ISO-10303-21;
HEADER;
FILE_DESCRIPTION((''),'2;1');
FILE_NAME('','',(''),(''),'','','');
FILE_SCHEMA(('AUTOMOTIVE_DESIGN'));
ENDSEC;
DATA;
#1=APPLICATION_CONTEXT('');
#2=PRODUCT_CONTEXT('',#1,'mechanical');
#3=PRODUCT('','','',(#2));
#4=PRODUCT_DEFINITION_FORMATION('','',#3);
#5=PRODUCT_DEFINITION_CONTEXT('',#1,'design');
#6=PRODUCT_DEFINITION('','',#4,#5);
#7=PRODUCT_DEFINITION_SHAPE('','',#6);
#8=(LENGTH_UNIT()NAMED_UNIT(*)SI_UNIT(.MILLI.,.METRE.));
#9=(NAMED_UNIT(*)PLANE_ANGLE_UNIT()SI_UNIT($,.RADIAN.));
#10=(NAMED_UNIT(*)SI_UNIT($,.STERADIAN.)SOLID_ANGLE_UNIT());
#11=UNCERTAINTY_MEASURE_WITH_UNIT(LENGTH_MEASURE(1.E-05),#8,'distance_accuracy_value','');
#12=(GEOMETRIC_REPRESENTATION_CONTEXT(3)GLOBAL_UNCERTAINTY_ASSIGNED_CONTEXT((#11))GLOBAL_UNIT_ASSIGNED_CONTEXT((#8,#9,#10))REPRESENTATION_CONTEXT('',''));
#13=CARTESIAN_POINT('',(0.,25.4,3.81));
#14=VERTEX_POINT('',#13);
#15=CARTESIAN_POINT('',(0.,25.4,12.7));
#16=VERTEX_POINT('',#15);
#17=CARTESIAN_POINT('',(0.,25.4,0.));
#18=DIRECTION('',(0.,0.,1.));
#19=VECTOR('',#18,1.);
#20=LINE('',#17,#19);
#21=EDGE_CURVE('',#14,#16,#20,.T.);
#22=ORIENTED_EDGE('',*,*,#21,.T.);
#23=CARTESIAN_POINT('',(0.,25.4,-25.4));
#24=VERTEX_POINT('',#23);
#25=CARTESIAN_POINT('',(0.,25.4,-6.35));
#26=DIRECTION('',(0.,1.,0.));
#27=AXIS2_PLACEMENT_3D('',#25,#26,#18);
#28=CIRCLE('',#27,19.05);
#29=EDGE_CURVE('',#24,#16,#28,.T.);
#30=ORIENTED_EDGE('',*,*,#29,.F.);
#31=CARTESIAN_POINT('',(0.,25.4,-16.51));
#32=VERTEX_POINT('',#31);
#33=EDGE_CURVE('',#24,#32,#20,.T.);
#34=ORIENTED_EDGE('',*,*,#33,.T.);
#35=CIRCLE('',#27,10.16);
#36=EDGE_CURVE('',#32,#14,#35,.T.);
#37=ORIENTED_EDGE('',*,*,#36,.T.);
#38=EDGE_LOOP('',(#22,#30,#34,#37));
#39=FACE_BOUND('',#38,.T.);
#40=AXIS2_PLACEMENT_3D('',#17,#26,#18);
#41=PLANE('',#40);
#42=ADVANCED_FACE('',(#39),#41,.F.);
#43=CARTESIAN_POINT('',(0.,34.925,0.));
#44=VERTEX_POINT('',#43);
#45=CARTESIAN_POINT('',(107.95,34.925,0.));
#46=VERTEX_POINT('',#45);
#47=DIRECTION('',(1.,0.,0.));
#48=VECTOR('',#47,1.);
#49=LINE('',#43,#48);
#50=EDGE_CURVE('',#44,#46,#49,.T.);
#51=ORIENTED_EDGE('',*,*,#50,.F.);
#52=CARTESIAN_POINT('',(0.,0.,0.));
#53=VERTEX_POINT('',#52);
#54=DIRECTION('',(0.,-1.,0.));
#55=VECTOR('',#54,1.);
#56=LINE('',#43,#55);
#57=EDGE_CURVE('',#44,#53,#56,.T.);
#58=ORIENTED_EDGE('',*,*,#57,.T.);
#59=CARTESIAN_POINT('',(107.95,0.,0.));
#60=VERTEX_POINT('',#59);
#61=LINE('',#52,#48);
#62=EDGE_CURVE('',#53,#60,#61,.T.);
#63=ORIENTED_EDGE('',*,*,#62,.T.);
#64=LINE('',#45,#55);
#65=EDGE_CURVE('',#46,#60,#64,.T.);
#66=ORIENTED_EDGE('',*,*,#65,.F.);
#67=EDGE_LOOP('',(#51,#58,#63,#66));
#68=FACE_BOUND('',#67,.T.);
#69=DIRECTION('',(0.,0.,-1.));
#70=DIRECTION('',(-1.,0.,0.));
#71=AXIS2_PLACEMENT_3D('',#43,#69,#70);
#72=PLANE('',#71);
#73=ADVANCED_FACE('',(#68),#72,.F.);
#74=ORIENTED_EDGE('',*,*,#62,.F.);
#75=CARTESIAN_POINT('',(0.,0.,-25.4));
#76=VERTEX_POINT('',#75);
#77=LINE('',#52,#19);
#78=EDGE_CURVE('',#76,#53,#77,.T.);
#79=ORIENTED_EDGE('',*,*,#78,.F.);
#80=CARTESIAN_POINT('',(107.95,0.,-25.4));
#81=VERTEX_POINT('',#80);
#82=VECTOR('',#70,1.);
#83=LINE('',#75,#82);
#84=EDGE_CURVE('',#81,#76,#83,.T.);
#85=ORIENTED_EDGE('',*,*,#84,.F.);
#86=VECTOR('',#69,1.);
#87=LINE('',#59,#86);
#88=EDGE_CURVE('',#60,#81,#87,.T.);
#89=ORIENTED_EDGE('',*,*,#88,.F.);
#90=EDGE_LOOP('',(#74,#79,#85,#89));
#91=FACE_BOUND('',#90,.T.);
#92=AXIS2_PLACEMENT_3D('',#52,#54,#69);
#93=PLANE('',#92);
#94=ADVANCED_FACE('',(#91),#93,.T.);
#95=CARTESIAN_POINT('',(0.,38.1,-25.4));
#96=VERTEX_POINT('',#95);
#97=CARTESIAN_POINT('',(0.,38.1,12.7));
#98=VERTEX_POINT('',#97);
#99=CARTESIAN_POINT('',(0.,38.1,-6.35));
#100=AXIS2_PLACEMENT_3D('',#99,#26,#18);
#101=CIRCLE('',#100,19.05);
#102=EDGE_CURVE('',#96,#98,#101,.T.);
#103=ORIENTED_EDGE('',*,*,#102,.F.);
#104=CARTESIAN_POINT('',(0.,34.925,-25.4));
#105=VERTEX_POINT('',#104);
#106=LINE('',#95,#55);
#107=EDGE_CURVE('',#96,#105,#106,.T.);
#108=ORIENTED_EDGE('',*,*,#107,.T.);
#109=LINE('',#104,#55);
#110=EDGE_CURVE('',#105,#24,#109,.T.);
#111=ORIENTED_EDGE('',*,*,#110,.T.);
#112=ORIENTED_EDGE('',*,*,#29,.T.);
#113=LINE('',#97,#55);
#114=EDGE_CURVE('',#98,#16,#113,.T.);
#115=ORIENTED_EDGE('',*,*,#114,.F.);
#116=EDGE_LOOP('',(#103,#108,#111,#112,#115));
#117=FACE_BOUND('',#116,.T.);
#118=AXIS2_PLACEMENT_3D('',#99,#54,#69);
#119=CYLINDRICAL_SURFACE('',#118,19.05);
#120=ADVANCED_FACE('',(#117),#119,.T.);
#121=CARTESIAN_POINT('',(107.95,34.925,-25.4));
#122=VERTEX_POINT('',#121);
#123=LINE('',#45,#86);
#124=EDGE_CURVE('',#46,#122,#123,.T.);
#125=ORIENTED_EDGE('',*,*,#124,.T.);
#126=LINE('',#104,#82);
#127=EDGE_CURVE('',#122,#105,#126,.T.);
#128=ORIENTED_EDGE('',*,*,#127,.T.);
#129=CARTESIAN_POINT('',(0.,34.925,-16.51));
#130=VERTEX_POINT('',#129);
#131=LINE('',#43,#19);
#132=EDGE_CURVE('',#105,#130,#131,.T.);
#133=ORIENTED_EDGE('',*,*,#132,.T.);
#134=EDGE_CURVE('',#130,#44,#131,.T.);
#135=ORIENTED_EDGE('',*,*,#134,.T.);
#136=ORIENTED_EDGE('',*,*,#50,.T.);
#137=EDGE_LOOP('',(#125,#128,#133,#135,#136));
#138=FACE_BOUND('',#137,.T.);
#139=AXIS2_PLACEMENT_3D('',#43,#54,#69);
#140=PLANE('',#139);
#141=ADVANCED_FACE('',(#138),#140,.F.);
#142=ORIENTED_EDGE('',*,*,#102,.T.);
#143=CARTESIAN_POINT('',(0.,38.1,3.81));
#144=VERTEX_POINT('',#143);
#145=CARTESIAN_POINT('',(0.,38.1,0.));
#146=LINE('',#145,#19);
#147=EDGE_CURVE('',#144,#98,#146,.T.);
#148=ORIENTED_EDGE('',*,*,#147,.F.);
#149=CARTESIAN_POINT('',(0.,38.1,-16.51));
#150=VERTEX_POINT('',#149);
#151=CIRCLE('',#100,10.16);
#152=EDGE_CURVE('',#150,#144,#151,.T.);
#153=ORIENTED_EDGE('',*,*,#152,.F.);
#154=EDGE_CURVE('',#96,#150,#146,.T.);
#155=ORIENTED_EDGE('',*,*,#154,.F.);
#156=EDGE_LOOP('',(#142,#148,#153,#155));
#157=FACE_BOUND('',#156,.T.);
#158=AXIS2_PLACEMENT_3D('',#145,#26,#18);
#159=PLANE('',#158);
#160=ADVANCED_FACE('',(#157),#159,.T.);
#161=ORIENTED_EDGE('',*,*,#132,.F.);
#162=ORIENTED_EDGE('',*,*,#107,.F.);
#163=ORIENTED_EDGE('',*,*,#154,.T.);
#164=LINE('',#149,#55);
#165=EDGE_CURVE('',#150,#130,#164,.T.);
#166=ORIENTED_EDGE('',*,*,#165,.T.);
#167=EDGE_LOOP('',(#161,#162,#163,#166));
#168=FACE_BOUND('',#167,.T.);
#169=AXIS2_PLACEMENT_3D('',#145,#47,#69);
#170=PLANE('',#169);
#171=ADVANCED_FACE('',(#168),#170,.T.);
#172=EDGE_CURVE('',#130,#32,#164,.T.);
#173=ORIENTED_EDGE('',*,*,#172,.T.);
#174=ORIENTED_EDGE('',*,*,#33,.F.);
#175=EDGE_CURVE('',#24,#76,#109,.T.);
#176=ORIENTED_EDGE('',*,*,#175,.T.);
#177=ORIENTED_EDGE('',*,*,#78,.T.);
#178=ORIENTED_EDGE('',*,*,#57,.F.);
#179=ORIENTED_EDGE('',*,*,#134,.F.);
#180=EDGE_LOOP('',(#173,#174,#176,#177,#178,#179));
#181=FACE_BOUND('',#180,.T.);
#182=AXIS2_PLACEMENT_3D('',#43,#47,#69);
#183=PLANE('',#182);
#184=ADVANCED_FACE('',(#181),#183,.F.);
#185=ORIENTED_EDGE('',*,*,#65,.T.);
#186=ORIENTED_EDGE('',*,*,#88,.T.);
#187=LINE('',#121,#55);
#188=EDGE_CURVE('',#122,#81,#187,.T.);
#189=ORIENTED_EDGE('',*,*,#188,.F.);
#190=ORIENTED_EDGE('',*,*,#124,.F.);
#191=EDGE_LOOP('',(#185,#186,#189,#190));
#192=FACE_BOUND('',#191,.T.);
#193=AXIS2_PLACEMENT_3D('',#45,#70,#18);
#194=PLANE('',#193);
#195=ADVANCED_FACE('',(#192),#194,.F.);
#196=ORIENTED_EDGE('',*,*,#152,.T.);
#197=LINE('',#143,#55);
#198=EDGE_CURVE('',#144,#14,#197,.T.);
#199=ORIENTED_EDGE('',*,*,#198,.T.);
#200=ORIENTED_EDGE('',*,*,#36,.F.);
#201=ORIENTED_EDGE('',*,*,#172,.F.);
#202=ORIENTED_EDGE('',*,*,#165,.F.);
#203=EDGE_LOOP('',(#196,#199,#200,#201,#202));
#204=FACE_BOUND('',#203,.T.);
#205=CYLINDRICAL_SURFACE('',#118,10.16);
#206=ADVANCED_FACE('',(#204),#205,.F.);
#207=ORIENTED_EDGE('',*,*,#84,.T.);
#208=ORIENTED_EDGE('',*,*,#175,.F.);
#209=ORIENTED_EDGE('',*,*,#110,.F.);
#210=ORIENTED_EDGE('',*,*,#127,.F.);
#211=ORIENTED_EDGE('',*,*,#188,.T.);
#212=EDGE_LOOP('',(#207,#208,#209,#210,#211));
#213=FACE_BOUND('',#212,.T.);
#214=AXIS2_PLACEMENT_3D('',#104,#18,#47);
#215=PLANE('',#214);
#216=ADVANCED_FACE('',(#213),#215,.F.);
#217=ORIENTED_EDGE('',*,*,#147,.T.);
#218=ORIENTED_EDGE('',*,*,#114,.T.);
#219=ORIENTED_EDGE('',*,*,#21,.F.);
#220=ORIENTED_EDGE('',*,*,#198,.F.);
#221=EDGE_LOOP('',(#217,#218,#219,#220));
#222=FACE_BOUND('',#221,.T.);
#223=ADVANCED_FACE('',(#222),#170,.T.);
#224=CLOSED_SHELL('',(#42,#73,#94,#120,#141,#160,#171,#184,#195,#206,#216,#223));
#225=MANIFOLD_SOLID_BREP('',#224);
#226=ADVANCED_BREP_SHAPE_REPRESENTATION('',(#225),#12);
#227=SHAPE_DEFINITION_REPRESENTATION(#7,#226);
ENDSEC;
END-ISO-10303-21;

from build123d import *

# Parameters (mm, degrees)
SKETCH1_W           = 107.95
SKETCH1_H           = 25.4
BOSS_EXTRUDE1_DEPTH = 34.925
BOSS_EXTRUDE2_DEPTH = 12.7


with BuildPart() as part:
    # Sketch1 → Boss-Extrude1 (new body)
    with BuildSketch(Plane(origin=(0, 0, 0), x_dir=(1, 0, 0), z_dir=(0, 1, 0))):
        with Locations((53.975, 12.7)):
            Rectangle(SKETCH1_W, SKETCH1_H)
    extrude(amount=BOSS_EXTRUDE1_DEPTH)

    # Sketch2 → Boss-Extrude2 (add)
    with BuildSketch(Plane(origin=(0, 25.4, 0), x_dir=(1, 0, 0), z_dir=(0, 1, 0))):
        with BuildLine():
            Line((0, 16.51), (0, 25.4))
            ThreePointArc((0, 25.4), (-19.05, 6.35), (0, -12.7))
            Line((0, -12.7), (0, -3.81))
            ThreePointArc((0, -3.81), (-10.16, 6.35), (0, 16.51))
        make_face()
    extrude(amount=BOSS_EXTRUDE2_DEPTH)


solid = part.part
